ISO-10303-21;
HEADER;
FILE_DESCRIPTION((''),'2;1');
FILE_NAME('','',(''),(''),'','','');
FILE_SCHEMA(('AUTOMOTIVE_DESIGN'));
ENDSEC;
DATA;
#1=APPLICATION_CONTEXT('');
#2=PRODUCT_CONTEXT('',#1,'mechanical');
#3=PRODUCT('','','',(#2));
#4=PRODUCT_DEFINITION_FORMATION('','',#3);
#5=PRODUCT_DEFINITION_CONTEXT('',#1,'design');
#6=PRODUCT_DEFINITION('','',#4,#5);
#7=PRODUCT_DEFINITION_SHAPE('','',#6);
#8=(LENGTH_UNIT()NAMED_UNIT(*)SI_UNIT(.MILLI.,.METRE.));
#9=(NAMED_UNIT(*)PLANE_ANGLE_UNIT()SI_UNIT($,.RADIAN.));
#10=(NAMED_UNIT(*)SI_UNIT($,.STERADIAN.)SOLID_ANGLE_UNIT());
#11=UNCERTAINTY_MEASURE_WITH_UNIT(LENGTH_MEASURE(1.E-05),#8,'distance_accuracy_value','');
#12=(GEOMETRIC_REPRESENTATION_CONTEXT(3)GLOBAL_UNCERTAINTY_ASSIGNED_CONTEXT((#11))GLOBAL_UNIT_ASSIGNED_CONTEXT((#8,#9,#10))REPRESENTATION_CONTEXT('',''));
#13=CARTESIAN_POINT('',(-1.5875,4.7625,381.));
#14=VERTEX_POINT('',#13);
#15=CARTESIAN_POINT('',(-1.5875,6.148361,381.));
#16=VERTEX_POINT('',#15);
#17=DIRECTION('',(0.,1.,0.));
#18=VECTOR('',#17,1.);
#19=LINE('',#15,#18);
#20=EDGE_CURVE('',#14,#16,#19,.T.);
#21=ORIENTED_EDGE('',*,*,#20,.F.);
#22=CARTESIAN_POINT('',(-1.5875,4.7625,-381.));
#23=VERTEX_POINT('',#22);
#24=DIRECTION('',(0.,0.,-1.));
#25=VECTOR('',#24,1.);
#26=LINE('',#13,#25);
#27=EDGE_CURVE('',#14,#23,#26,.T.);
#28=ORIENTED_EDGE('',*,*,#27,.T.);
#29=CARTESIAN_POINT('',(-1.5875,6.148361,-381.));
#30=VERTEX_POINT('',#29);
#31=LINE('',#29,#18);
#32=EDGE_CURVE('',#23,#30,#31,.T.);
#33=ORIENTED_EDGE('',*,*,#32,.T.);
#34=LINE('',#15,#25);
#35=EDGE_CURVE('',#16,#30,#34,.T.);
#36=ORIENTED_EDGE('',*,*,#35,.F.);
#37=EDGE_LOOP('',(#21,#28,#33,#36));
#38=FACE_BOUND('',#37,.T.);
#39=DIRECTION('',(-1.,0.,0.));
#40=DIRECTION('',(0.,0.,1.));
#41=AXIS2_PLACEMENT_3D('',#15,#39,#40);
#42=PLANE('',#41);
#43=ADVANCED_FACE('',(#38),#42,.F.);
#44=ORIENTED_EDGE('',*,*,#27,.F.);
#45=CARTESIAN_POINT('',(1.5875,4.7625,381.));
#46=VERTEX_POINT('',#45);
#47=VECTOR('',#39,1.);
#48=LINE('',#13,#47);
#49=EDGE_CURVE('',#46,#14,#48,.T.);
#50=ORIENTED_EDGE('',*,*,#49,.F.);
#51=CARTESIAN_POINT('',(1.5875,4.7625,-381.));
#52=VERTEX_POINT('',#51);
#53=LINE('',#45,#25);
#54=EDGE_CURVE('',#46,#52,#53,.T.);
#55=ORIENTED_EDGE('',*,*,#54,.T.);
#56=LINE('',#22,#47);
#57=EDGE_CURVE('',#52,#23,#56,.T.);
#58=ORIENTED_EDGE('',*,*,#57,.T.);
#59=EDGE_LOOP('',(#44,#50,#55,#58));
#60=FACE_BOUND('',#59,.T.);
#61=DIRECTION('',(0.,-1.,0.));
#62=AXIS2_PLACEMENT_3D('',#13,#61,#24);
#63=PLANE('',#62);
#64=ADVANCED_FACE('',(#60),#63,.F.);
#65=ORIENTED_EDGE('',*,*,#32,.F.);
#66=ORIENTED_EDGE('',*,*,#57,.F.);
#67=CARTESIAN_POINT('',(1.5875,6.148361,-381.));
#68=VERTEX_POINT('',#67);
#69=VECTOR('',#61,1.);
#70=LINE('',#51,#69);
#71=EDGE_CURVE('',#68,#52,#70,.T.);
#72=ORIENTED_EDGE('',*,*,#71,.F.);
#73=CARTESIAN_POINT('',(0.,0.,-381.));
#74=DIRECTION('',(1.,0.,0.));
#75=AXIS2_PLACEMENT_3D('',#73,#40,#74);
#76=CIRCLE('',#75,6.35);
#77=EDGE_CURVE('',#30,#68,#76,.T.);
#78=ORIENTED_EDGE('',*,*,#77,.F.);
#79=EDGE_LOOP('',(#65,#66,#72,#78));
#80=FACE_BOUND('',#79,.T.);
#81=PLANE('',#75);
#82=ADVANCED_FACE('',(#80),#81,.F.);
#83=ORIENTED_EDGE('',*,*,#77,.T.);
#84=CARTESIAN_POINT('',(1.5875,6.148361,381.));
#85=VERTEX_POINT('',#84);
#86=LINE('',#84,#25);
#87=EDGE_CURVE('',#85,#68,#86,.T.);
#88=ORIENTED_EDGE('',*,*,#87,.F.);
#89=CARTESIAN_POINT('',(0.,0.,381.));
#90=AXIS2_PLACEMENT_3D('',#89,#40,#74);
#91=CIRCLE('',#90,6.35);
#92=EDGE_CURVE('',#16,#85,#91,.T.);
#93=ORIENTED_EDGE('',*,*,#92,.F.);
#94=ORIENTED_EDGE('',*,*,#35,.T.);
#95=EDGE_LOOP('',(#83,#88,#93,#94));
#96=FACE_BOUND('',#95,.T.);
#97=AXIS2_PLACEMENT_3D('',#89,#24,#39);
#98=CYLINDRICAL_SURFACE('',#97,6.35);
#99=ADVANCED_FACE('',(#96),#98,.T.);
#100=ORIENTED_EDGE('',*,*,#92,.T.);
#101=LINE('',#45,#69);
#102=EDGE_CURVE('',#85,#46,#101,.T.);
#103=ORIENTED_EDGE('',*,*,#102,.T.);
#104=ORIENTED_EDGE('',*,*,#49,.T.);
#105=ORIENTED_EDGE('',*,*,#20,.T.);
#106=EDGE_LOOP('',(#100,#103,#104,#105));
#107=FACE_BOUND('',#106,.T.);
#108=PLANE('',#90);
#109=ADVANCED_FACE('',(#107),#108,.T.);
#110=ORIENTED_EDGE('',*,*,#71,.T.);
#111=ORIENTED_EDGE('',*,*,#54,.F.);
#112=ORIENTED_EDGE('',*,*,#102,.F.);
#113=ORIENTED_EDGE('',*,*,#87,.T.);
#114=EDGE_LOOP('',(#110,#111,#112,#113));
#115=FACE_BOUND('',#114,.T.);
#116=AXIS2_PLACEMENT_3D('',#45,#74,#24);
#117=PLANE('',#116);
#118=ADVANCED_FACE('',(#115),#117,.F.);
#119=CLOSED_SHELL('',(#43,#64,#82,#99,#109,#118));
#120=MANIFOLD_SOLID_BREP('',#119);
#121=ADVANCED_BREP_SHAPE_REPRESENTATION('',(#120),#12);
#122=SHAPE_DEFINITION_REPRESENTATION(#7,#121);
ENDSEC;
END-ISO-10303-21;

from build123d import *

# Parameters (mm, degrees)
BOSS_EXTRUDE1_DEPTH = 381


with BuildPart() as part:
    # Sketch1 → Boss-Extrude1 (new, symmetric)
    with BuildSketch(Plane.XY):
        with BuildLine():
            Line((-1.5875, 6.148361062), (-1.5875, 4.7625))
            Line((-1.5875, 4.7625), (1.5875, 4.7625))
            Line((1.5875, 4.7625), (1.5875, 6.148361062))
            ThreePointArc((1.5875, 6.148361062), (0, -6.35), (-1.5875, 6.148361062))
        make_face()
    extrude(amount=BOSS_EXTRUDE1_DEPTH, both=True)


solid = part.part
